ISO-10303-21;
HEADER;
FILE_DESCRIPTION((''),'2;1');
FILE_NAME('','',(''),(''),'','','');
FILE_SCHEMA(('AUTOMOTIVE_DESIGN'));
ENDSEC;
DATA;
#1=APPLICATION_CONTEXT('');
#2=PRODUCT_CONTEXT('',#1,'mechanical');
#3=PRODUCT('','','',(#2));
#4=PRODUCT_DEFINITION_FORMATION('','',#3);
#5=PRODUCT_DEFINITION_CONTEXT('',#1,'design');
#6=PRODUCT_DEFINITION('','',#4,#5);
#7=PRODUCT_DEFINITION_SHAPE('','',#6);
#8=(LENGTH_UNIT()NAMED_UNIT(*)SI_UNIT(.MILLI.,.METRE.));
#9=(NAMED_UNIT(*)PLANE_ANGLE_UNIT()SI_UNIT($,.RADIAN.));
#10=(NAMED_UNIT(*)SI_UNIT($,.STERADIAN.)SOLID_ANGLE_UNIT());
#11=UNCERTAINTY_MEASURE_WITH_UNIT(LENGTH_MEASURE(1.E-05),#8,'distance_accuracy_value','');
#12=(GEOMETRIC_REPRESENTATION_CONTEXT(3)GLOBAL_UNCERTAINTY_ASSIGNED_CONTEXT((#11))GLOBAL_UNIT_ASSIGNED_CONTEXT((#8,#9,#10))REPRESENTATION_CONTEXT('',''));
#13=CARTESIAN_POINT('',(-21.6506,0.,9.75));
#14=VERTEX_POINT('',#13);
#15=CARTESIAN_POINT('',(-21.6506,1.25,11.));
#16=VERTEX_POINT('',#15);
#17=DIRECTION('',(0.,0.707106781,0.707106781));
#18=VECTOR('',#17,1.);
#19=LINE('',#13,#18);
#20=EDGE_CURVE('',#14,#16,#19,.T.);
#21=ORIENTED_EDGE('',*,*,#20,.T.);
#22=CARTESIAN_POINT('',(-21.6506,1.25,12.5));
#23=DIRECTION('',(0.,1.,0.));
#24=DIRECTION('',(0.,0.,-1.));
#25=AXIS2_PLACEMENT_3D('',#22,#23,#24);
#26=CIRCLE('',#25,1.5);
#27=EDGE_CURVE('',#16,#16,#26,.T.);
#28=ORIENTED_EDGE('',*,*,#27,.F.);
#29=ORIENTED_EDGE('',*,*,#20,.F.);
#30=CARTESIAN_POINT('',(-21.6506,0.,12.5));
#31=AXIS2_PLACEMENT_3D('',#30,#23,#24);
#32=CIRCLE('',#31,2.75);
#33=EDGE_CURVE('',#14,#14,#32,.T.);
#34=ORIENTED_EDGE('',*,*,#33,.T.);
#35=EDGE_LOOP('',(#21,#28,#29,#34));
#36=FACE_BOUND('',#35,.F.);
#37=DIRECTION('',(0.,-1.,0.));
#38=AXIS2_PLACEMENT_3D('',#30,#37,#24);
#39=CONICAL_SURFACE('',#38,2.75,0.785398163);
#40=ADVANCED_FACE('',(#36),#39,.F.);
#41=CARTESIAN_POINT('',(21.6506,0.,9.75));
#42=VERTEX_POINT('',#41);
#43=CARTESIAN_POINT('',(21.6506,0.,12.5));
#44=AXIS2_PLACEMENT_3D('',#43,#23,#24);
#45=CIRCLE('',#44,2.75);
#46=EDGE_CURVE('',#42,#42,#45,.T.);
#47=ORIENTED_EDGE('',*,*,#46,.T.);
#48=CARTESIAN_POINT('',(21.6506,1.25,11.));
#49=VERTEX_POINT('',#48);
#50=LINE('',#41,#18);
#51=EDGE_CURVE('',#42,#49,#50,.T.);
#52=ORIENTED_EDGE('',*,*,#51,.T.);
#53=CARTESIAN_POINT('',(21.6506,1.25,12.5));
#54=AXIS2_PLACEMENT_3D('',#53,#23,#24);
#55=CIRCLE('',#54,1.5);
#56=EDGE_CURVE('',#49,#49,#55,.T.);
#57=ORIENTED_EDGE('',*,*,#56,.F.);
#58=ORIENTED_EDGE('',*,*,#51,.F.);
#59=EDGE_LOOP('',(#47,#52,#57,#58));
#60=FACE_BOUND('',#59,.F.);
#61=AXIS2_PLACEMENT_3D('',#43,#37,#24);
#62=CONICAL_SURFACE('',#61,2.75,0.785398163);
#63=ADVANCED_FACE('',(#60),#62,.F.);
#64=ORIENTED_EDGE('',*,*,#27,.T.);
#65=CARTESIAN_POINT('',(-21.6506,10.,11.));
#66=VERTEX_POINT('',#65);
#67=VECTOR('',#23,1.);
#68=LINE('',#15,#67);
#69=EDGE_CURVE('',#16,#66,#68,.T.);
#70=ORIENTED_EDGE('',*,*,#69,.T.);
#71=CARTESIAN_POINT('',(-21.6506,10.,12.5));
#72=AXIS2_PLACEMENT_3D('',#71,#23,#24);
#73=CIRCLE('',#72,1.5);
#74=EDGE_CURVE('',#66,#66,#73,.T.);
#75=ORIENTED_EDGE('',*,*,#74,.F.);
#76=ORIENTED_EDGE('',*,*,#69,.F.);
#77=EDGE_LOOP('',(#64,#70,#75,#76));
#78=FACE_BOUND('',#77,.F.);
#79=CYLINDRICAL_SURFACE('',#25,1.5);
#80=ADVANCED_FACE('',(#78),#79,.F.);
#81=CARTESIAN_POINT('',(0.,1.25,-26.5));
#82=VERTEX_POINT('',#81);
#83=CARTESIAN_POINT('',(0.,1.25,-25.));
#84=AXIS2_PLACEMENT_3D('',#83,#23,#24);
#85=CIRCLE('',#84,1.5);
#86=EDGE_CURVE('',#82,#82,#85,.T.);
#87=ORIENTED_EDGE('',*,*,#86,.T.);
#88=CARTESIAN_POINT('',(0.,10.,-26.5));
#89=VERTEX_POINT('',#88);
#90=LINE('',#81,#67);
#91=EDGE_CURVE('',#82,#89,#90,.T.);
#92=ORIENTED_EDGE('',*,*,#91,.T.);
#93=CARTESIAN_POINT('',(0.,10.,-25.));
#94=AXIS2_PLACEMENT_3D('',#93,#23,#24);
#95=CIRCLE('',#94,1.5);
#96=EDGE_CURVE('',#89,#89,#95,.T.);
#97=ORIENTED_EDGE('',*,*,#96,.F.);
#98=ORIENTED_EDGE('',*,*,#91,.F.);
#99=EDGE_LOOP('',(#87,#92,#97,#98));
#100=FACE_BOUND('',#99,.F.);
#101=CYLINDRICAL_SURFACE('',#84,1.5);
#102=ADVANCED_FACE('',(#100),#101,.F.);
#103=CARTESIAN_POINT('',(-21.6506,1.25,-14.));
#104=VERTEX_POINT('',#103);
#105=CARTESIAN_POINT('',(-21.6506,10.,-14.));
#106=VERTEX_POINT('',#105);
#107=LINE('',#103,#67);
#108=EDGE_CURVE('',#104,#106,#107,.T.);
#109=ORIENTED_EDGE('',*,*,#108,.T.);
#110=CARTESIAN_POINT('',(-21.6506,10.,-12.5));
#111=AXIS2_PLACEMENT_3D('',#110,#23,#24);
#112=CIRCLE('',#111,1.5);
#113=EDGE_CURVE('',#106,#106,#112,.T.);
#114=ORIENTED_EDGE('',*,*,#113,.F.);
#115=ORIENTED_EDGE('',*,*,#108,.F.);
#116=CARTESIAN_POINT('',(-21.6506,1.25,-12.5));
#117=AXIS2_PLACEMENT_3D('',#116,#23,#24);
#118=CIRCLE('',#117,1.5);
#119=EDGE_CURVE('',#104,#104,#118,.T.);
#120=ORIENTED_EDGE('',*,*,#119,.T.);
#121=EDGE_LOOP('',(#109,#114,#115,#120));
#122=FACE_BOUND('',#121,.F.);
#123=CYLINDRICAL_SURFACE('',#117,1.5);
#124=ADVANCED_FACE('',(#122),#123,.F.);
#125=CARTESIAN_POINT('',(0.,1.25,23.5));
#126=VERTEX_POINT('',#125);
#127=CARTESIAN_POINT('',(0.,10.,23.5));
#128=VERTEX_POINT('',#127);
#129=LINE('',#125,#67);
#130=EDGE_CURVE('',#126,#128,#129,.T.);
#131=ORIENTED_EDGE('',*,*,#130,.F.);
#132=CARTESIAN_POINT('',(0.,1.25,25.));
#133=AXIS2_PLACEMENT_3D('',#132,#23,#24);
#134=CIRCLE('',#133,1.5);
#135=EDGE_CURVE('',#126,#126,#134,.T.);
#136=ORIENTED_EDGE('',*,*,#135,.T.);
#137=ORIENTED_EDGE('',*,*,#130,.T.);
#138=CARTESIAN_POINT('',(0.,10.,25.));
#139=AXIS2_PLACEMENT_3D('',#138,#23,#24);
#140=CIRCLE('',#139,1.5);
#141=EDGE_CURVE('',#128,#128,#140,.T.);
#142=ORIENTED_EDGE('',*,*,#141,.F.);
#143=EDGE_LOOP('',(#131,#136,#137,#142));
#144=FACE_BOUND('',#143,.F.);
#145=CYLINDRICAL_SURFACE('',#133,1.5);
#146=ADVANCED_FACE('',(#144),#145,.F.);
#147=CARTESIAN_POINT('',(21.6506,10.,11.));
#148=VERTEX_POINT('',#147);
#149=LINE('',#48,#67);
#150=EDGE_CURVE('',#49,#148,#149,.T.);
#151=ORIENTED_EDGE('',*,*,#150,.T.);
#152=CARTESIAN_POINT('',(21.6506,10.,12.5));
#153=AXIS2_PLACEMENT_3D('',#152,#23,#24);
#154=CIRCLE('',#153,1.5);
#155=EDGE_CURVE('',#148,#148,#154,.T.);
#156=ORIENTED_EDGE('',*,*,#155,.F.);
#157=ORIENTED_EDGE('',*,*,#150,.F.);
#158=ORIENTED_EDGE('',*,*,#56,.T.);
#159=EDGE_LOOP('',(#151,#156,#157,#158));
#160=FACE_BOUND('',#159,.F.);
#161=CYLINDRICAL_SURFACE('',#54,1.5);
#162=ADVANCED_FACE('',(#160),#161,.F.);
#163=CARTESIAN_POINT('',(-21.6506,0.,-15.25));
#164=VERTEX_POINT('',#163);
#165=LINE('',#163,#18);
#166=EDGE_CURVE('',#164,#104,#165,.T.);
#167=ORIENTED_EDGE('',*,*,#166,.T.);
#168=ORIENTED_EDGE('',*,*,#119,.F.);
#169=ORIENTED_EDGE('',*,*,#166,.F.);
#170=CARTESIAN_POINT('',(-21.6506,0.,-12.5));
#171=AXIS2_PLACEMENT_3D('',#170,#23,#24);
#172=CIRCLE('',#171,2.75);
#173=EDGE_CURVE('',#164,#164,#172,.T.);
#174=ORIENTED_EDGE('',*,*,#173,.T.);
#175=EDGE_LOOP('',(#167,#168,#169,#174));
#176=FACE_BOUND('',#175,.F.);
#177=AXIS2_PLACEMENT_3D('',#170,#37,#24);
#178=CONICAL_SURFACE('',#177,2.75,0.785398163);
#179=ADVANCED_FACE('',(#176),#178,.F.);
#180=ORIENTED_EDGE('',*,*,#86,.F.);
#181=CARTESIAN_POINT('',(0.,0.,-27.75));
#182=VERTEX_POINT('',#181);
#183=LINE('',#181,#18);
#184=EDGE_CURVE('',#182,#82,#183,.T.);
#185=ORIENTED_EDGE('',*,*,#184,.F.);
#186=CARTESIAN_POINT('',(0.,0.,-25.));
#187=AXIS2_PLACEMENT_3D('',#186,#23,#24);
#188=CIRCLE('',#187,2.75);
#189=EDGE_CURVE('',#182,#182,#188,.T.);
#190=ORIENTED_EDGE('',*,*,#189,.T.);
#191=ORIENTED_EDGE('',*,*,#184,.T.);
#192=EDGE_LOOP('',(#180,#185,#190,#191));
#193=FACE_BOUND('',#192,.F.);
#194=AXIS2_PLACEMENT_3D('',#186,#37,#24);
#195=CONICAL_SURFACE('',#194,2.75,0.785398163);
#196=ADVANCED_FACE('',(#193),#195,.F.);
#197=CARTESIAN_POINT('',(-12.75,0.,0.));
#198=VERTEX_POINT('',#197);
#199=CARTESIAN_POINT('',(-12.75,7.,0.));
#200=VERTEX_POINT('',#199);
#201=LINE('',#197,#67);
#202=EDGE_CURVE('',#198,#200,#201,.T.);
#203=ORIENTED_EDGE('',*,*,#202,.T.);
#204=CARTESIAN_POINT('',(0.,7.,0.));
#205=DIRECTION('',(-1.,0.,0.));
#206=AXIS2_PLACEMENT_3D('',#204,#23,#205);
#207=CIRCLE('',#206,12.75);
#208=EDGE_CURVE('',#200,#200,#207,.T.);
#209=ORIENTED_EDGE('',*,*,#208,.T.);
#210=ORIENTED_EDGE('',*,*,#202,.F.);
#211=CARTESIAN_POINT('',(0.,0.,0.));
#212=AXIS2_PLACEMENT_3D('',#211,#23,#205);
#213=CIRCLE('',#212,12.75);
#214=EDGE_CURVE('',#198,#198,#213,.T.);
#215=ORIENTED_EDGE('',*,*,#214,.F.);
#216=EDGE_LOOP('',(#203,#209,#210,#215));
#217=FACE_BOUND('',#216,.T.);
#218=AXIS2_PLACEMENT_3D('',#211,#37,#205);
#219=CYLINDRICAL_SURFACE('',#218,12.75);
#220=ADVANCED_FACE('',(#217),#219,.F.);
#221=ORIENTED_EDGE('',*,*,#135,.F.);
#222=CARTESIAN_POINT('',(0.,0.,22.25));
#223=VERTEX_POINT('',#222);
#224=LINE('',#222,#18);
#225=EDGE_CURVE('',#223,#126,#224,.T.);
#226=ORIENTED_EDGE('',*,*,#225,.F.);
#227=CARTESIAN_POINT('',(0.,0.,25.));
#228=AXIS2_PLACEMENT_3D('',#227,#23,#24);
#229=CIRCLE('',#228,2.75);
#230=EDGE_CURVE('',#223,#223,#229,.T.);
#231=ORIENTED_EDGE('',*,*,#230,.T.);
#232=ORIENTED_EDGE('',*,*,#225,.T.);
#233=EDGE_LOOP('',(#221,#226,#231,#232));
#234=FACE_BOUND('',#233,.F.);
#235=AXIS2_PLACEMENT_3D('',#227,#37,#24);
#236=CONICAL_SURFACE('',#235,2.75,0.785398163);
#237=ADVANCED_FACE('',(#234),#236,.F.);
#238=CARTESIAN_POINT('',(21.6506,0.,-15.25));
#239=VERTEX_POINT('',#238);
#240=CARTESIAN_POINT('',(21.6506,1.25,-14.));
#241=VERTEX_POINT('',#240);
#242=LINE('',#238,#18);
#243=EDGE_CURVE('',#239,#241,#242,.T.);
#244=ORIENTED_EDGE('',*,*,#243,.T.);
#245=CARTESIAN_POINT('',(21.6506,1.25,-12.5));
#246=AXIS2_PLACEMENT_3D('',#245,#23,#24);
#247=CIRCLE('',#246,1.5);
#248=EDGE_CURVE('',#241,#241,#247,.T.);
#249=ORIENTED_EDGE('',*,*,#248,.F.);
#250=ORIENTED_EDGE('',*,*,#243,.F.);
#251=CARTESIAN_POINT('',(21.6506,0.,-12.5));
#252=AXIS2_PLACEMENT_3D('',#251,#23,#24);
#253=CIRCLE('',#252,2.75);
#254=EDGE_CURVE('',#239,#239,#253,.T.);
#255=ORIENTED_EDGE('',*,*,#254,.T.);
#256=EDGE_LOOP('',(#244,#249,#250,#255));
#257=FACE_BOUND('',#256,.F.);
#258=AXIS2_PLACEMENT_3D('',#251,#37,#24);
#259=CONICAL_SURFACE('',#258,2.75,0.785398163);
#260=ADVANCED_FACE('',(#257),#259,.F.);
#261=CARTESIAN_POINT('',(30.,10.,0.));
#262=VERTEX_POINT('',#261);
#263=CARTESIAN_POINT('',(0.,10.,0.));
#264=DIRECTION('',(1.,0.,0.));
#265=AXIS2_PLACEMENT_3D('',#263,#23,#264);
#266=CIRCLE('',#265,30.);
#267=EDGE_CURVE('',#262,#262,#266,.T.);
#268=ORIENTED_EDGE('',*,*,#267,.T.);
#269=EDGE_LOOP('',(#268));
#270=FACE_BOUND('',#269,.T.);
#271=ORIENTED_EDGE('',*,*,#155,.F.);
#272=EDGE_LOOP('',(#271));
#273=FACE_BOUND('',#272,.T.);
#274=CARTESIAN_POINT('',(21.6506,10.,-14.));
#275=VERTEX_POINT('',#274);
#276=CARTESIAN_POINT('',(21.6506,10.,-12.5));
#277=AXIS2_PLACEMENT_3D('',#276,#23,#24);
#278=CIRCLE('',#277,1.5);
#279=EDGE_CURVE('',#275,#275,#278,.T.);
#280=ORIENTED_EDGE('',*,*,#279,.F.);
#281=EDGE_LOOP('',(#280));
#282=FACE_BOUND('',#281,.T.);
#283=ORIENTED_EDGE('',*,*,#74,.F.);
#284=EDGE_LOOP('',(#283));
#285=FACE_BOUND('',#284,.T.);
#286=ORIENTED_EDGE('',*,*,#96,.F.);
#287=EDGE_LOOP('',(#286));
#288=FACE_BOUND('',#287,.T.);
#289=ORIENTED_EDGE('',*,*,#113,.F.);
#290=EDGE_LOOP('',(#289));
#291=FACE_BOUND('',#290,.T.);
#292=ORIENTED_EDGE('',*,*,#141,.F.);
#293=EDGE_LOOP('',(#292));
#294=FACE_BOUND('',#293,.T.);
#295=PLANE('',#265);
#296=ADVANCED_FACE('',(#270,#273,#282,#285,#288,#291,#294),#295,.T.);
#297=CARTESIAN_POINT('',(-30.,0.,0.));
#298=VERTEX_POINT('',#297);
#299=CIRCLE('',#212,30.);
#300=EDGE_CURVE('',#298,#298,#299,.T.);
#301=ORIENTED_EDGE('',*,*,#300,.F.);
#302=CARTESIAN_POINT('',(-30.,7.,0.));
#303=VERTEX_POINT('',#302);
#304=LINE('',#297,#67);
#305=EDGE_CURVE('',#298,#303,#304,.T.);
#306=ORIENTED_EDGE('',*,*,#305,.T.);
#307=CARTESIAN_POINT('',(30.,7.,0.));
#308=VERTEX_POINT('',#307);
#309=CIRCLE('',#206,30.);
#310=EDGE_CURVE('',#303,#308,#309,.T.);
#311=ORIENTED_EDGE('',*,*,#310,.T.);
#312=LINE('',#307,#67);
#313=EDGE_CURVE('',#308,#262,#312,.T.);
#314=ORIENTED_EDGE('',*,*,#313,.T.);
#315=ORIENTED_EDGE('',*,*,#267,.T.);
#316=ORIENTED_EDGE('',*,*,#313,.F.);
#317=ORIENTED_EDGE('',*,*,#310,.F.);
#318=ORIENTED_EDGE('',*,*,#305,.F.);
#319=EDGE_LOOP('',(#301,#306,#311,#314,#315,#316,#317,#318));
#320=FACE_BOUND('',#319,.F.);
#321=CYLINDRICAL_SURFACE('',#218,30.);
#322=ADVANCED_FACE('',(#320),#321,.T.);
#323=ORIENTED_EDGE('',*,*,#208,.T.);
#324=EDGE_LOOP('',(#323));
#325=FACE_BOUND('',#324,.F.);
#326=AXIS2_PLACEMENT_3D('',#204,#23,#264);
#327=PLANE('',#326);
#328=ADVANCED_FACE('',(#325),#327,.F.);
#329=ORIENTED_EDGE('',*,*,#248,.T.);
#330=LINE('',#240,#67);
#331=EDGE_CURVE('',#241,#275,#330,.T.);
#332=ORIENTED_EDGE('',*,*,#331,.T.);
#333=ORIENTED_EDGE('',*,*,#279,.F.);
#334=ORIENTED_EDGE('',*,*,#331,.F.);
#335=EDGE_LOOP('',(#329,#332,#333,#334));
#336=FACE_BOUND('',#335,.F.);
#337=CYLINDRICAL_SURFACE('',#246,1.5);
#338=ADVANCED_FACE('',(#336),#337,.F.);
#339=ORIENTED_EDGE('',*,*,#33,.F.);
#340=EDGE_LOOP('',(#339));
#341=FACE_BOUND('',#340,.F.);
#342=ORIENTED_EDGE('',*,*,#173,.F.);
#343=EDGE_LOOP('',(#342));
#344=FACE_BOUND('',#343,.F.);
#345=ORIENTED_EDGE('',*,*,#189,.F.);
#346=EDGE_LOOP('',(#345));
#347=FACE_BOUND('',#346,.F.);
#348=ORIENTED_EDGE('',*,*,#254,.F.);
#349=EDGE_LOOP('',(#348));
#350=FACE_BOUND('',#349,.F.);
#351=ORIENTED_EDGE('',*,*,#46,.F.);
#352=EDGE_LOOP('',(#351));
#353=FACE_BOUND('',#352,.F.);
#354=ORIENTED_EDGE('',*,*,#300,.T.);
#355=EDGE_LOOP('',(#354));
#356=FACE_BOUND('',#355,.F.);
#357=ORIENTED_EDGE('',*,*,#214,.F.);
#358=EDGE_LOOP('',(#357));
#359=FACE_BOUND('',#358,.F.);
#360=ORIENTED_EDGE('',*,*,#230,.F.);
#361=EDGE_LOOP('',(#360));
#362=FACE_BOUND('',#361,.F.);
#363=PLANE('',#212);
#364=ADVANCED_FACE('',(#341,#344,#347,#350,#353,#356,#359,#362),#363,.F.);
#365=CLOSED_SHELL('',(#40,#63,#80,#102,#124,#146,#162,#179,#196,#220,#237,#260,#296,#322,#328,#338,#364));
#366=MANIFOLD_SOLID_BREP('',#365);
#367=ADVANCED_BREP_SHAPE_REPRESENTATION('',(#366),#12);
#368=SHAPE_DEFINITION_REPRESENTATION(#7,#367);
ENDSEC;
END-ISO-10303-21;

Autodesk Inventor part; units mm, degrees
ref_plane "YZ Plane" through (0, 0, 0) normal (1, 0, 0) x (0, 1, 0)
ref_plane "XZ Plane" through (0, 0, 0) normal (0, 1, 0) x (-1, 0, 0)
ref_plane "XY Plane" through (0, 0, 0) normal (0, 0, 1) x (1, 0, 0)
sketch "Sketch1" plane through (0, 0, 0) normal (0, 1, 0) x (-1, 0, 0)
  circle A0 centre (0, 0) radius 12.75
  circle A1 centre (0, 0) radius 30
  dimension "d0" = 25.5
  dimension "d1" = 60
extrude "Extrusion1" add sketch "Sketch1" along normal blind 7
sketch "Sketch2" plane through (0, 7, 0) normal (0, 1, 0) x (1, 0, 0)
  circle A0 centre (0, 0) radius 30
extrude "Extrusion2" add sketch "Sketch2" along normal blind 3
sketch "Sketch3" plane through (0, 0, 0) normal (0, -1, 0) x (1, 0, 0)
  circle A0 centre (0, 0) radius 30 projected
  line L0 (0, 30) -> (0, 25)
  point P0 (-21.6506, 12.5)
  point P1 (-21.6506, -12.5)
  point P2 (0, -25)
  point P3 (21.6506, -12.5)
  point P4 (21.6506, 12.5)
  dimension "d6" = 5
  dimension "d9" = 360
hole "Hole1" at (0, 0, 25) at (-21.6506, 0, 12.5) at (-21.6506, 0, -12.5) at (0, 0, -25) at (21.6506, 0, -12.5) at (21.6506, 0, 12.5) direction (0, 1, 0) diameter 3 end through all countersink diameter 5.5 countersink angle 90
properties part number "Base_To_First_Tilt_Attachment"
